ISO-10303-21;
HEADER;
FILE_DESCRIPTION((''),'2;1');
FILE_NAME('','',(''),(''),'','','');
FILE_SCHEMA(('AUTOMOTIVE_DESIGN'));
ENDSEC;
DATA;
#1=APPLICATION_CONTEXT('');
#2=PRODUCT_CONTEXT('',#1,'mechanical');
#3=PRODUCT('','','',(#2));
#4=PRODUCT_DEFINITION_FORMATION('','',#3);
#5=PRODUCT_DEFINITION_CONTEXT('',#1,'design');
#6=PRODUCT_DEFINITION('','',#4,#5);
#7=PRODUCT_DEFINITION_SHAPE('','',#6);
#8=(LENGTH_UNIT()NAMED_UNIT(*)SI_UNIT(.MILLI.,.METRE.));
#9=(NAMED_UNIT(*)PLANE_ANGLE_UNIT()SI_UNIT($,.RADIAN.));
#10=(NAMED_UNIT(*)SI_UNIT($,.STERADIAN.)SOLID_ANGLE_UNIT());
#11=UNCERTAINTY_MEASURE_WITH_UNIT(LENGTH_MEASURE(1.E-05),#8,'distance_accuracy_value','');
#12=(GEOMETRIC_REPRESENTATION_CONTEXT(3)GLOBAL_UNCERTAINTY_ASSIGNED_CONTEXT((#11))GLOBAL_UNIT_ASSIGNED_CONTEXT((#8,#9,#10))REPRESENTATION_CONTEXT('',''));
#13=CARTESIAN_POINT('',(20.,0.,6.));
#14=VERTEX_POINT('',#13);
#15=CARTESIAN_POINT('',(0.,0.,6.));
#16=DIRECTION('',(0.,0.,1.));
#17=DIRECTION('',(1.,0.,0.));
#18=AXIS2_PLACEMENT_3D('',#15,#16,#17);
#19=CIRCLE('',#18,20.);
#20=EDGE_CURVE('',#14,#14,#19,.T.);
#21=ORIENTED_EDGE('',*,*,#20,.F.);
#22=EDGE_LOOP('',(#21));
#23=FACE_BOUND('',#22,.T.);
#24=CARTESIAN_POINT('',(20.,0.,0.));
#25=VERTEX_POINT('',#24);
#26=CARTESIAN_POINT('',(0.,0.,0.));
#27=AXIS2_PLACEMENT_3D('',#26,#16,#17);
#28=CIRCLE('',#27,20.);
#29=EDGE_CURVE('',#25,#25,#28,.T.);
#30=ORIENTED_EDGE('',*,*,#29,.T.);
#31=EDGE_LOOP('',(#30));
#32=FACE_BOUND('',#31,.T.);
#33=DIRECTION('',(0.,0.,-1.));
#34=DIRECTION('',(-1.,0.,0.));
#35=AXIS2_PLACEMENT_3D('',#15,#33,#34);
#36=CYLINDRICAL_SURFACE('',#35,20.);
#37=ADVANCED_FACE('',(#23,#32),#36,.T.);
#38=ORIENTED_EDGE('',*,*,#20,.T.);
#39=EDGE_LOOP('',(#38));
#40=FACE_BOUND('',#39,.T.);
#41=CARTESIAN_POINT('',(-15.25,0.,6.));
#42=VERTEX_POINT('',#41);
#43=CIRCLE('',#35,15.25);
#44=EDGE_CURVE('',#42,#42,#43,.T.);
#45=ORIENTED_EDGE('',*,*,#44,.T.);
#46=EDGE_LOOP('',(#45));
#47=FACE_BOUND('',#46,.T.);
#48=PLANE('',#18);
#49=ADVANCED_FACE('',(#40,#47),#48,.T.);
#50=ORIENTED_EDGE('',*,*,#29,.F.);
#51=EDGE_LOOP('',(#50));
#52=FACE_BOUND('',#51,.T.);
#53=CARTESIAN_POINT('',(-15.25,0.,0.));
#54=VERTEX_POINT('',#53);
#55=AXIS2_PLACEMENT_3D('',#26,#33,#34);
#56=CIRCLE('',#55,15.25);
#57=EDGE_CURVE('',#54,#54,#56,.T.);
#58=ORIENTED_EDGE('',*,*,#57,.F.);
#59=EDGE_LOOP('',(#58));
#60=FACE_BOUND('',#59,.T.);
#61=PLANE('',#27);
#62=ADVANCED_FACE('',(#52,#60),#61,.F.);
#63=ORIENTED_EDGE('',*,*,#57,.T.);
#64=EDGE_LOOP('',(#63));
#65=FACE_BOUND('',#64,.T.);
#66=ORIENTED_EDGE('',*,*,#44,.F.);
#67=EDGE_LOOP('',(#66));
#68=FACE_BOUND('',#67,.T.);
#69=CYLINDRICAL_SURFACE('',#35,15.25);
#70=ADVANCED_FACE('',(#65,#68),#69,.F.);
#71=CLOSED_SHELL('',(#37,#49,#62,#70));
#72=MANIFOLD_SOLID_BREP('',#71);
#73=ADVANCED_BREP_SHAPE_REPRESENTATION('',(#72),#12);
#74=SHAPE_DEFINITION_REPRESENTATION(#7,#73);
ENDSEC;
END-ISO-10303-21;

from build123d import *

# Parameters (mm, degrees)
SKETCH1_R           = 20
BOSS_EXTRUDE1_DEPTH = 6
SKETCH2_R           = 15.25
CUT_EXTRUDE1_DEPTH  = 7


with BuildPart() as part:
    # Sketch1 → Boss-Extrude1 (new body)
    with BuildSketch(Plane.XY):
        Circle(SKETCH1_R)
    extrude(amount=BOSS_EXTRUDE1_DEPTH)

    # Sketch2 → Cut-Extrude1 (cut, through all)
    with BuildSketch(Plane(origin=(0, 0, 0), x_dir=(-1, 0, 0), z_dir=(0, 0, -1))):
        Circle(SKETCH2_R)
    extrude(amount=-CUT_EXTRUDE1_DEPTH, mode=Mode.SUBTRACT)


solid = part.part
